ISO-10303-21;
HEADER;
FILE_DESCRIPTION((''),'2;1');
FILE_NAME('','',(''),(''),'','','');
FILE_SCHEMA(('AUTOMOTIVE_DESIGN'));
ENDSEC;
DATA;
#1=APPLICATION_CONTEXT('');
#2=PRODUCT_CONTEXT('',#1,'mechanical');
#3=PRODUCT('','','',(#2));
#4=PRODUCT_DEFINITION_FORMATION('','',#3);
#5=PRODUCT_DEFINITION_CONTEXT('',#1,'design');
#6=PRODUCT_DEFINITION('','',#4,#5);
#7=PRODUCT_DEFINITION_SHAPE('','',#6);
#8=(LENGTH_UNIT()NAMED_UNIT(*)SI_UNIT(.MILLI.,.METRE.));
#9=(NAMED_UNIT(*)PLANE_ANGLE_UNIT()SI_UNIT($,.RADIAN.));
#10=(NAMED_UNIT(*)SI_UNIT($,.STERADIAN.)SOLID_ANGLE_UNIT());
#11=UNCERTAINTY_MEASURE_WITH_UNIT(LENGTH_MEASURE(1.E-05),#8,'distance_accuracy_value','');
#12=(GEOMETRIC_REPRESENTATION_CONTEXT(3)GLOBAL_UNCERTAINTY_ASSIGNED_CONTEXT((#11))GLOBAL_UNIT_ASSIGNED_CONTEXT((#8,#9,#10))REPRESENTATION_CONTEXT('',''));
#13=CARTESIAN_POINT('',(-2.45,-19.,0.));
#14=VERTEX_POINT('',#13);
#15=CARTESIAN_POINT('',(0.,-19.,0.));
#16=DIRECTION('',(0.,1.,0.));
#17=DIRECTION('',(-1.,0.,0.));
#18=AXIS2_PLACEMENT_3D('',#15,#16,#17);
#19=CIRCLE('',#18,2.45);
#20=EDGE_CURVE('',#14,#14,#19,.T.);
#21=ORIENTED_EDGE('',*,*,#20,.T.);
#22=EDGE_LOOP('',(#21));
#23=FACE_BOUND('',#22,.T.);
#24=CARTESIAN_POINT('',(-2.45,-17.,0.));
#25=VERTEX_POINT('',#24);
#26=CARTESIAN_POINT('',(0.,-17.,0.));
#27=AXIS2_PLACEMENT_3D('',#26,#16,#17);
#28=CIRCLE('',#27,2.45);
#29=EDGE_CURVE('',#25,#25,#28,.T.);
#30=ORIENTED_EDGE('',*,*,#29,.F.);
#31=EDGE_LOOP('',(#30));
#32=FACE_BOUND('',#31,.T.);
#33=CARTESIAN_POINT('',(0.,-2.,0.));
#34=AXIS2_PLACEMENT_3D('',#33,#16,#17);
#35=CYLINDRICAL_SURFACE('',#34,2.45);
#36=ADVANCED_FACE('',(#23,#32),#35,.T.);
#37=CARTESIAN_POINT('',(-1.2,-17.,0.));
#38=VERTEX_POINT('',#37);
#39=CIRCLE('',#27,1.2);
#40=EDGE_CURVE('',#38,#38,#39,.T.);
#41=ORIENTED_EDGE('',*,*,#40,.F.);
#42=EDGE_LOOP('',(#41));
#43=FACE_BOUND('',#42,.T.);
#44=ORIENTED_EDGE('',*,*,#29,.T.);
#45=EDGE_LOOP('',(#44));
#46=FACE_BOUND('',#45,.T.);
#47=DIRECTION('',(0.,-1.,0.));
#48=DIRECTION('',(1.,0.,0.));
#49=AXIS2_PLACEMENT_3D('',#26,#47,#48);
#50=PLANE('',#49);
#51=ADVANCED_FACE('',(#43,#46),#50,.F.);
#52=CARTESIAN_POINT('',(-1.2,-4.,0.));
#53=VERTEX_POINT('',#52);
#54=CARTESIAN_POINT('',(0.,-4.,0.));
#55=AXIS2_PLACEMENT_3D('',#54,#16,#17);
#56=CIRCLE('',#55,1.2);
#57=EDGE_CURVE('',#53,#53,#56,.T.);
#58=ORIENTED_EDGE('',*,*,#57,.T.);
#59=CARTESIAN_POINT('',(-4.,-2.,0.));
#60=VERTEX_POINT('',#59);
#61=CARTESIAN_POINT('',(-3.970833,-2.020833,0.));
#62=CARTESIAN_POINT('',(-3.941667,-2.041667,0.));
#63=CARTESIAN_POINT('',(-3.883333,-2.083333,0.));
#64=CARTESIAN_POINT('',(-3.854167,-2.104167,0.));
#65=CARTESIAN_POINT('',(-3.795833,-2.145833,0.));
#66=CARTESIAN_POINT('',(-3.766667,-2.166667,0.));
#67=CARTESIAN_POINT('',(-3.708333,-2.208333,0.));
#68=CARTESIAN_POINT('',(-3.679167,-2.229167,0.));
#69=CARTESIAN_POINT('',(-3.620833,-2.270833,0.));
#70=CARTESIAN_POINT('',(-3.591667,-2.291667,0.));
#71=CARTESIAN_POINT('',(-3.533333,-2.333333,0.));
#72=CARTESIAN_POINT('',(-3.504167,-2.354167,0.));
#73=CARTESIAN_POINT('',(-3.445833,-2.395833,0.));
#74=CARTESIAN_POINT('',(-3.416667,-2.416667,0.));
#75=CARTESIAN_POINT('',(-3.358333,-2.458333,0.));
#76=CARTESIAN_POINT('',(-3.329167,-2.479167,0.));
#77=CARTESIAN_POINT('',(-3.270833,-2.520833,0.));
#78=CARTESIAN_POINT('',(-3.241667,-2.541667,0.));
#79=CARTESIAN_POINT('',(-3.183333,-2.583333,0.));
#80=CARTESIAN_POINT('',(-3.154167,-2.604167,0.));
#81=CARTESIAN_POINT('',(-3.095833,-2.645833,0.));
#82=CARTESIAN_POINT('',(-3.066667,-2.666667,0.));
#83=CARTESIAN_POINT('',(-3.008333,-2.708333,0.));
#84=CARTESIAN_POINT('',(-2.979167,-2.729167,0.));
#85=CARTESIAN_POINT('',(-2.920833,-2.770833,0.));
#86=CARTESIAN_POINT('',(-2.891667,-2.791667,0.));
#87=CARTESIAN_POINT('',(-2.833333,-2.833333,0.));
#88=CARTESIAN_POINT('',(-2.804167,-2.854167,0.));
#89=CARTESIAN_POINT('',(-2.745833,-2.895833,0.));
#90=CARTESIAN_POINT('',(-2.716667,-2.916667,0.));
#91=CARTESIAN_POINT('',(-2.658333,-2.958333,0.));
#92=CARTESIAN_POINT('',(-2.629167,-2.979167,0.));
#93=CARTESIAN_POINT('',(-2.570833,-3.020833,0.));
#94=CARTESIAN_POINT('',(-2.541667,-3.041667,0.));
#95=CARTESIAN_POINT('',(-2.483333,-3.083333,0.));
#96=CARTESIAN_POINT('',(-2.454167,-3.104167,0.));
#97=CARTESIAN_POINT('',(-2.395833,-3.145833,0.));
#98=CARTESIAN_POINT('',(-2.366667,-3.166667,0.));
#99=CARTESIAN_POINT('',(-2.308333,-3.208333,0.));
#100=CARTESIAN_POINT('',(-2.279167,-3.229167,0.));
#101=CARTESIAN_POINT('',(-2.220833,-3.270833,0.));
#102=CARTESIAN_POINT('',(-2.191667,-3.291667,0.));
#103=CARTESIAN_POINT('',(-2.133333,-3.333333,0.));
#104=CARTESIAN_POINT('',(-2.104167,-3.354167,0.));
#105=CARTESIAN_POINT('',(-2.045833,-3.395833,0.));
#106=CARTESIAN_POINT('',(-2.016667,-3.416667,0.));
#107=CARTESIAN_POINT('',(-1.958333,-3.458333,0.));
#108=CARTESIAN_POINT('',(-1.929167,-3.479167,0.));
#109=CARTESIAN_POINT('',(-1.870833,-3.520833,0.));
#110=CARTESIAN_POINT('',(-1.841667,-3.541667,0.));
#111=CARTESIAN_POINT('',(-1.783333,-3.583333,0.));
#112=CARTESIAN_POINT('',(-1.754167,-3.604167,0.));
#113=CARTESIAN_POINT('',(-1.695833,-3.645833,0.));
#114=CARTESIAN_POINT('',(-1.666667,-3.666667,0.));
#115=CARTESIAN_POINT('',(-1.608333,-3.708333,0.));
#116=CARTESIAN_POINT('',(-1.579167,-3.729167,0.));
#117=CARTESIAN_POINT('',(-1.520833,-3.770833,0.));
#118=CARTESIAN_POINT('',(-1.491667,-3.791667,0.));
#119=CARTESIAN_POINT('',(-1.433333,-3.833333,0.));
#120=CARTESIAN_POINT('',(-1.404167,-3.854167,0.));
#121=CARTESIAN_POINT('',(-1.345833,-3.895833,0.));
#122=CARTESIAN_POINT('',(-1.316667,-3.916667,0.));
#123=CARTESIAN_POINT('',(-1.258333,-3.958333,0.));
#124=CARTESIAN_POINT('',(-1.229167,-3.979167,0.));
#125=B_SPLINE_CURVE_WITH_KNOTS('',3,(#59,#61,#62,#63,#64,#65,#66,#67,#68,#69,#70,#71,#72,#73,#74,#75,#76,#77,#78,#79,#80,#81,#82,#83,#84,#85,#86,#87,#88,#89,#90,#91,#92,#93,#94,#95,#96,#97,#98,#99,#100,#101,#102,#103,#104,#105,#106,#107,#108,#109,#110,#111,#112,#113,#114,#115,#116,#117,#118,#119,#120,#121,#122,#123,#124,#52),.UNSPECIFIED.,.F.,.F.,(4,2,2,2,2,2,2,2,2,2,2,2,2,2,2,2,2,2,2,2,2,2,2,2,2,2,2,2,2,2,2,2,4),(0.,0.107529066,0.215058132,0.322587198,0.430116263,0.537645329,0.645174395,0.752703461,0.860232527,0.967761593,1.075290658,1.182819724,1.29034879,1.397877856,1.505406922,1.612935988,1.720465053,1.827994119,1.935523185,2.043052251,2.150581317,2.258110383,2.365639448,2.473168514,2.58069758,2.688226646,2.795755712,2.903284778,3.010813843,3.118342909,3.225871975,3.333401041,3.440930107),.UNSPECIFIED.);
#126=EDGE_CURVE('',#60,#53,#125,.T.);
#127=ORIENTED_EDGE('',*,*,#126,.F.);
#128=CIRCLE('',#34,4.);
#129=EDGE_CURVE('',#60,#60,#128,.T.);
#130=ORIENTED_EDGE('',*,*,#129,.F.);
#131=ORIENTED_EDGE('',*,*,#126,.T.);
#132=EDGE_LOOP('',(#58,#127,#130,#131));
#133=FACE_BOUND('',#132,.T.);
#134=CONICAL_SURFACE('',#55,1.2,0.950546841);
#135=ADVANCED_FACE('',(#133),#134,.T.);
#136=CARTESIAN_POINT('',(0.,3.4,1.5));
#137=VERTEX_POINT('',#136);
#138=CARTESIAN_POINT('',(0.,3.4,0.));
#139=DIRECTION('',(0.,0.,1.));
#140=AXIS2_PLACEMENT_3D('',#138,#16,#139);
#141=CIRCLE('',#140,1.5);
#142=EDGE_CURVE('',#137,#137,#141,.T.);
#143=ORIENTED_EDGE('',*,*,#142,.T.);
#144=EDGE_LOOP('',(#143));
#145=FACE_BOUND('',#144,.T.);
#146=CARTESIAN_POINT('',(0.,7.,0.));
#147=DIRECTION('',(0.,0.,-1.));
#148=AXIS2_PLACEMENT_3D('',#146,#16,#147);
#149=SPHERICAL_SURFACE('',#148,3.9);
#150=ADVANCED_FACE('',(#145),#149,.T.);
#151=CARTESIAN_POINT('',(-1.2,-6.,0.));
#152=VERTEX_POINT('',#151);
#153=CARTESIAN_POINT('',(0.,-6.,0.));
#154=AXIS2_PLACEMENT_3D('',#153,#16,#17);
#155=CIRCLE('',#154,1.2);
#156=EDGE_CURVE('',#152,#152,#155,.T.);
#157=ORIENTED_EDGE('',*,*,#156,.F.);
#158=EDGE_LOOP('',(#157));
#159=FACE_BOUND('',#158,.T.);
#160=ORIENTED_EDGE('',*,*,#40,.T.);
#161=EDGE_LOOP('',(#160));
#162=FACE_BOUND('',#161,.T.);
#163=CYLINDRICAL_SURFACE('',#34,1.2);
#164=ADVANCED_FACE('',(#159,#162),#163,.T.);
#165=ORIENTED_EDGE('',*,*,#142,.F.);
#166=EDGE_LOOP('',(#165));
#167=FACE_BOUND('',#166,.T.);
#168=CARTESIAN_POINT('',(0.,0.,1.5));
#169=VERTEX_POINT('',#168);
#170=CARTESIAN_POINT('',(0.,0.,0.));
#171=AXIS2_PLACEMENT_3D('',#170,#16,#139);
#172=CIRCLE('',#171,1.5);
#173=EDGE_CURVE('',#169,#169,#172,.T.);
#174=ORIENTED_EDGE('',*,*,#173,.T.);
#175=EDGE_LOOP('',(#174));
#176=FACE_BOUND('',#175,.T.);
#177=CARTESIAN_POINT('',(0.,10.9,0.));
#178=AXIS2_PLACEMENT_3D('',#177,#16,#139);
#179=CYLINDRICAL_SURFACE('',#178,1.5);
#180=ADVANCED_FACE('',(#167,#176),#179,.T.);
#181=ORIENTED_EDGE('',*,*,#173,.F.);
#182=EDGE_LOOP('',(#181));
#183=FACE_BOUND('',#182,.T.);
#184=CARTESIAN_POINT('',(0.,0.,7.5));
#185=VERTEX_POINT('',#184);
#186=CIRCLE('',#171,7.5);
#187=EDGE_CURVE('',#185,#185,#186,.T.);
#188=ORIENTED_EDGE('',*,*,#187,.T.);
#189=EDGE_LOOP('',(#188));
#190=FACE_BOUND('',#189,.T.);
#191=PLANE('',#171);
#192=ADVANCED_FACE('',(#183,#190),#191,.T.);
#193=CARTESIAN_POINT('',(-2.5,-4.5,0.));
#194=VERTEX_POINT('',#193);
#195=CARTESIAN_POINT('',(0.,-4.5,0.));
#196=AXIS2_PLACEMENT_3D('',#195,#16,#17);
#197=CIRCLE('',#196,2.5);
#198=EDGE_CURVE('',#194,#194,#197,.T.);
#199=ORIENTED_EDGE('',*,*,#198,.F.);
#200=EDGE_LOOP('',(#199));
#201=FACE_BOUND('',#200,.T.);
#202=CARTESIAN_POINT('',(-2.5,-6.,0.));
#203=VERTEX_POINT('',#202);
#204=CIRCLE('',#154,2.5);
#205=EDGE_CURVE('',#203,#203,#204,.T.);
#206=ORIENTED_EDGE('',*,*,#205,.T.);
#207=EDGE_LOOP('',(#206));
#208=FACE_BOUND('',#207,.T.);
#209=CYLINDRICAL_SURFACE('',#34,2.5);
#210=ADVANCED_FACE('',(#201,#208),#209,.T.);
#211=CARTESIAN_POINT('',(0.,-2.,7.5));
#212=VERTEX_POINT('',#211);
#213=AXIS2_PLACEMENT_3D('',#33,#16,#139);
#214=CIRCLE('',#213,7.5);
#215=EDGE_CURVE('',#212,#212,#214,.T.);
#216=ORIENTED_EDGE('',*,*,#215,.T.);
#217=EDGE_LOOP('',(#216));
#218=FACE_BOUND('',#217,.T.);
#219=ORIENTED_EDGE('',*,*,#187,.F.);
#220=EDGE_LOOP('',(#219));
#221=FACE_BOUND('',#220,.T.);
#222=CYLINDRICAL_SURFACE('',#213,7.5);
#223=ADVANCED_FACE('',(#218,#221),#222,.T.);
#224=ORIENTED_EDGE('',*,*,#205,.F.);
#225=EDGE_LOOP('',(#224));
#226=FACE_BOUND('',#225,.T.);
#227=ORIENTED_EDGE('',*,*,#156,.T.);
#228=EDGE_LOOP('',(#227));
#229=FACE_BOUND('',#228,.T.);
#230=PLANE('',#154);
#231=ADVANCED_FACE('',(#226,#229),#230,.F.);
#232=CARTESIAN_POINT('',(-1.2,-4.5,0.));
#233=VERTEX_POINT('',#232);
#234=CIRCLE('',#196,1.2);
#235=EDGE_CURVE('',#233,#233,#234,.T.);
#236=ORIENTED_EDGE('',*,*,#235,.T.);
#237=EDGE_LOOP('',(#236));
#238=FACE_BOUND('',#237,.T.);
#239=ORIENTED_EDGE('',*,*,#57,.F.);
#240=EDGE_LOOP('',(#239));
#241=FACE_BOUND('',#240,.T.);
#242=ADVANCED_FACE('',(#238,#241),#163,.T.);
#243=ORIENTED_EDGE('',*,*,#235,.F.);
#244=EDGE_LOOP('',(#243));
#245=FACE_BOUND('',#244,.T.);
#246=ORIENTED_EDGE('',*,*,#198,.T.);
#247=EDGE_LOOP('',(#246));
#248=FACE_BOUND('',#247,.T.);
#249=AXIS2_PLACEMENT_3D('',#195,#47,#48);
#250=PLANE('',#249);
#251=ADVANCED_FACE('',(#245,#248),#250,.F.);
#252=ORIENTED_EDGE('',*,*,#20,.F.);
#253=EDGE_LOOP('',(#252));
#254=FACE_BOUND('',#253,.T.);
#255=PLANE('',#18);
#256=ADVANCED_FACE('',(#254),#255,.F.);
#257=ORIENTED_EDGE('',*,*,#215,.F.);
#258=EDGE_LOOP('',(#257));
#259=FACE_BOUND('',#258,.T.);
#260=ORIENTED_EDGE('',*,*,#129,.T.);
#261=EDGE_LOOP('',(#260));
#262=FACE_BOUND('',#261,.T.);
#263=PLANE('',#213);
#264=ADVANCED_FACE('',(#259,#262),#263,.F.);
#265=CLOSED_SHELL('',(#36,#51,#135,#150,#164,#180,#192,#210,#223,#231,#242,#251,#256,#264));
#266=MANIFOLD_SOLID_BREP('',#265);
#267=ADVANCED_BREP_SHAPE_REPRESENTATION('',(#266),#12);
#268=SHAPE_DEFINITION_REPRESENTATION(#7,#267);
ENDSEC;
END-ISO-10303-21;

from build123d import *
from build123d.topology import SkipClean

# Parameters (mm, degrees)
SKETCH3_R           = 7.5
BOSS_EXTRUDE1_DEPTH = 2


with BuildPart() as part:
    # Sketch3 → Boss-Extrude1 (new body)
    with BuildSketch(Plane(origin=(0, 0, 0), x_dir=(1, 0, 0), z_dir=(0, 1, 0))):
        with Locations(Location((0, 0, 0), (0, 0, 270))):
            Circle(SKETCH3_R)
    extrude(amount=-BOSS_EXTRUDE1_DEPTH)

    # Sketch4 → Revolve3 (revolve)
    with BuildSketch(Plane.XY):
        Polygon((0, -2), (0, -19), (-2.45, -19), (-2.45, -17), (-1.2, -17), (-1.2, -6), (-2.5, -6), (-2.5, -4.5), (-1.2, -4.5), (-1.2, -4), (-4, -2), align=None)
    revolve(axis=Axis((0, -2, 0), (0, -1, 0)))

    # Sketch5 → Revolve4 (revolve)
    with SkipClean():  # the faces are left unmerged after this step: merging them gives an invalid solid
        with BuildSketch(Plane(origin=(0, 0, 0), x_dir=(0, 0, -1), z_dir=(1, 0, 0)), mode=Mode.PRIVATE) as revolve4_sk:
            with BuildLine():
                ThreePointArc((-1.5, 3.4), (-0.764852927, 3.175735365), (0, 3.1))
                Line((0, 3.1), (0, 7))
                Line((0, 7), (0, 10.9))
                ThreePointArc((0, 10.9), (-3.824264635, 7.764852927), (-1.5, 3.4))
            make_face()
            with BuildLine():
                Line((0, 7), (0, 3.1))
                ThreePointArc((0, 3.1), (0.764852927, 3.175735365), (1.5, 3.4))
                ThreePointArc((1.5, 3.4), (3.244996148, 4.836669235), (3.9, 7))
                ThreePointArc((3.9, 7), (2.757716447, 9.757716447), (0, 10.9))
                Line((0, 10.9), (0, 7))
            make_face()
            with BuildLine():
                Line((-1.5, 0), (0, 0))
                Line((0, 0), (0, 3.1))
                ThreePointArc((0, 3.1), (-0.764852927, 3.175735365), (-1.5, 3.4))
                Line((-1.5, 3.4), (-1.5, 0))
            make_face()
        revolve(revolve4_sk.sketch.rotate(Axis((0, 10.9, 0), (0, -1, 0)), 180), axis=Axis((0, 10.9, 0), (0, -1, 0)))


solid = part.part
